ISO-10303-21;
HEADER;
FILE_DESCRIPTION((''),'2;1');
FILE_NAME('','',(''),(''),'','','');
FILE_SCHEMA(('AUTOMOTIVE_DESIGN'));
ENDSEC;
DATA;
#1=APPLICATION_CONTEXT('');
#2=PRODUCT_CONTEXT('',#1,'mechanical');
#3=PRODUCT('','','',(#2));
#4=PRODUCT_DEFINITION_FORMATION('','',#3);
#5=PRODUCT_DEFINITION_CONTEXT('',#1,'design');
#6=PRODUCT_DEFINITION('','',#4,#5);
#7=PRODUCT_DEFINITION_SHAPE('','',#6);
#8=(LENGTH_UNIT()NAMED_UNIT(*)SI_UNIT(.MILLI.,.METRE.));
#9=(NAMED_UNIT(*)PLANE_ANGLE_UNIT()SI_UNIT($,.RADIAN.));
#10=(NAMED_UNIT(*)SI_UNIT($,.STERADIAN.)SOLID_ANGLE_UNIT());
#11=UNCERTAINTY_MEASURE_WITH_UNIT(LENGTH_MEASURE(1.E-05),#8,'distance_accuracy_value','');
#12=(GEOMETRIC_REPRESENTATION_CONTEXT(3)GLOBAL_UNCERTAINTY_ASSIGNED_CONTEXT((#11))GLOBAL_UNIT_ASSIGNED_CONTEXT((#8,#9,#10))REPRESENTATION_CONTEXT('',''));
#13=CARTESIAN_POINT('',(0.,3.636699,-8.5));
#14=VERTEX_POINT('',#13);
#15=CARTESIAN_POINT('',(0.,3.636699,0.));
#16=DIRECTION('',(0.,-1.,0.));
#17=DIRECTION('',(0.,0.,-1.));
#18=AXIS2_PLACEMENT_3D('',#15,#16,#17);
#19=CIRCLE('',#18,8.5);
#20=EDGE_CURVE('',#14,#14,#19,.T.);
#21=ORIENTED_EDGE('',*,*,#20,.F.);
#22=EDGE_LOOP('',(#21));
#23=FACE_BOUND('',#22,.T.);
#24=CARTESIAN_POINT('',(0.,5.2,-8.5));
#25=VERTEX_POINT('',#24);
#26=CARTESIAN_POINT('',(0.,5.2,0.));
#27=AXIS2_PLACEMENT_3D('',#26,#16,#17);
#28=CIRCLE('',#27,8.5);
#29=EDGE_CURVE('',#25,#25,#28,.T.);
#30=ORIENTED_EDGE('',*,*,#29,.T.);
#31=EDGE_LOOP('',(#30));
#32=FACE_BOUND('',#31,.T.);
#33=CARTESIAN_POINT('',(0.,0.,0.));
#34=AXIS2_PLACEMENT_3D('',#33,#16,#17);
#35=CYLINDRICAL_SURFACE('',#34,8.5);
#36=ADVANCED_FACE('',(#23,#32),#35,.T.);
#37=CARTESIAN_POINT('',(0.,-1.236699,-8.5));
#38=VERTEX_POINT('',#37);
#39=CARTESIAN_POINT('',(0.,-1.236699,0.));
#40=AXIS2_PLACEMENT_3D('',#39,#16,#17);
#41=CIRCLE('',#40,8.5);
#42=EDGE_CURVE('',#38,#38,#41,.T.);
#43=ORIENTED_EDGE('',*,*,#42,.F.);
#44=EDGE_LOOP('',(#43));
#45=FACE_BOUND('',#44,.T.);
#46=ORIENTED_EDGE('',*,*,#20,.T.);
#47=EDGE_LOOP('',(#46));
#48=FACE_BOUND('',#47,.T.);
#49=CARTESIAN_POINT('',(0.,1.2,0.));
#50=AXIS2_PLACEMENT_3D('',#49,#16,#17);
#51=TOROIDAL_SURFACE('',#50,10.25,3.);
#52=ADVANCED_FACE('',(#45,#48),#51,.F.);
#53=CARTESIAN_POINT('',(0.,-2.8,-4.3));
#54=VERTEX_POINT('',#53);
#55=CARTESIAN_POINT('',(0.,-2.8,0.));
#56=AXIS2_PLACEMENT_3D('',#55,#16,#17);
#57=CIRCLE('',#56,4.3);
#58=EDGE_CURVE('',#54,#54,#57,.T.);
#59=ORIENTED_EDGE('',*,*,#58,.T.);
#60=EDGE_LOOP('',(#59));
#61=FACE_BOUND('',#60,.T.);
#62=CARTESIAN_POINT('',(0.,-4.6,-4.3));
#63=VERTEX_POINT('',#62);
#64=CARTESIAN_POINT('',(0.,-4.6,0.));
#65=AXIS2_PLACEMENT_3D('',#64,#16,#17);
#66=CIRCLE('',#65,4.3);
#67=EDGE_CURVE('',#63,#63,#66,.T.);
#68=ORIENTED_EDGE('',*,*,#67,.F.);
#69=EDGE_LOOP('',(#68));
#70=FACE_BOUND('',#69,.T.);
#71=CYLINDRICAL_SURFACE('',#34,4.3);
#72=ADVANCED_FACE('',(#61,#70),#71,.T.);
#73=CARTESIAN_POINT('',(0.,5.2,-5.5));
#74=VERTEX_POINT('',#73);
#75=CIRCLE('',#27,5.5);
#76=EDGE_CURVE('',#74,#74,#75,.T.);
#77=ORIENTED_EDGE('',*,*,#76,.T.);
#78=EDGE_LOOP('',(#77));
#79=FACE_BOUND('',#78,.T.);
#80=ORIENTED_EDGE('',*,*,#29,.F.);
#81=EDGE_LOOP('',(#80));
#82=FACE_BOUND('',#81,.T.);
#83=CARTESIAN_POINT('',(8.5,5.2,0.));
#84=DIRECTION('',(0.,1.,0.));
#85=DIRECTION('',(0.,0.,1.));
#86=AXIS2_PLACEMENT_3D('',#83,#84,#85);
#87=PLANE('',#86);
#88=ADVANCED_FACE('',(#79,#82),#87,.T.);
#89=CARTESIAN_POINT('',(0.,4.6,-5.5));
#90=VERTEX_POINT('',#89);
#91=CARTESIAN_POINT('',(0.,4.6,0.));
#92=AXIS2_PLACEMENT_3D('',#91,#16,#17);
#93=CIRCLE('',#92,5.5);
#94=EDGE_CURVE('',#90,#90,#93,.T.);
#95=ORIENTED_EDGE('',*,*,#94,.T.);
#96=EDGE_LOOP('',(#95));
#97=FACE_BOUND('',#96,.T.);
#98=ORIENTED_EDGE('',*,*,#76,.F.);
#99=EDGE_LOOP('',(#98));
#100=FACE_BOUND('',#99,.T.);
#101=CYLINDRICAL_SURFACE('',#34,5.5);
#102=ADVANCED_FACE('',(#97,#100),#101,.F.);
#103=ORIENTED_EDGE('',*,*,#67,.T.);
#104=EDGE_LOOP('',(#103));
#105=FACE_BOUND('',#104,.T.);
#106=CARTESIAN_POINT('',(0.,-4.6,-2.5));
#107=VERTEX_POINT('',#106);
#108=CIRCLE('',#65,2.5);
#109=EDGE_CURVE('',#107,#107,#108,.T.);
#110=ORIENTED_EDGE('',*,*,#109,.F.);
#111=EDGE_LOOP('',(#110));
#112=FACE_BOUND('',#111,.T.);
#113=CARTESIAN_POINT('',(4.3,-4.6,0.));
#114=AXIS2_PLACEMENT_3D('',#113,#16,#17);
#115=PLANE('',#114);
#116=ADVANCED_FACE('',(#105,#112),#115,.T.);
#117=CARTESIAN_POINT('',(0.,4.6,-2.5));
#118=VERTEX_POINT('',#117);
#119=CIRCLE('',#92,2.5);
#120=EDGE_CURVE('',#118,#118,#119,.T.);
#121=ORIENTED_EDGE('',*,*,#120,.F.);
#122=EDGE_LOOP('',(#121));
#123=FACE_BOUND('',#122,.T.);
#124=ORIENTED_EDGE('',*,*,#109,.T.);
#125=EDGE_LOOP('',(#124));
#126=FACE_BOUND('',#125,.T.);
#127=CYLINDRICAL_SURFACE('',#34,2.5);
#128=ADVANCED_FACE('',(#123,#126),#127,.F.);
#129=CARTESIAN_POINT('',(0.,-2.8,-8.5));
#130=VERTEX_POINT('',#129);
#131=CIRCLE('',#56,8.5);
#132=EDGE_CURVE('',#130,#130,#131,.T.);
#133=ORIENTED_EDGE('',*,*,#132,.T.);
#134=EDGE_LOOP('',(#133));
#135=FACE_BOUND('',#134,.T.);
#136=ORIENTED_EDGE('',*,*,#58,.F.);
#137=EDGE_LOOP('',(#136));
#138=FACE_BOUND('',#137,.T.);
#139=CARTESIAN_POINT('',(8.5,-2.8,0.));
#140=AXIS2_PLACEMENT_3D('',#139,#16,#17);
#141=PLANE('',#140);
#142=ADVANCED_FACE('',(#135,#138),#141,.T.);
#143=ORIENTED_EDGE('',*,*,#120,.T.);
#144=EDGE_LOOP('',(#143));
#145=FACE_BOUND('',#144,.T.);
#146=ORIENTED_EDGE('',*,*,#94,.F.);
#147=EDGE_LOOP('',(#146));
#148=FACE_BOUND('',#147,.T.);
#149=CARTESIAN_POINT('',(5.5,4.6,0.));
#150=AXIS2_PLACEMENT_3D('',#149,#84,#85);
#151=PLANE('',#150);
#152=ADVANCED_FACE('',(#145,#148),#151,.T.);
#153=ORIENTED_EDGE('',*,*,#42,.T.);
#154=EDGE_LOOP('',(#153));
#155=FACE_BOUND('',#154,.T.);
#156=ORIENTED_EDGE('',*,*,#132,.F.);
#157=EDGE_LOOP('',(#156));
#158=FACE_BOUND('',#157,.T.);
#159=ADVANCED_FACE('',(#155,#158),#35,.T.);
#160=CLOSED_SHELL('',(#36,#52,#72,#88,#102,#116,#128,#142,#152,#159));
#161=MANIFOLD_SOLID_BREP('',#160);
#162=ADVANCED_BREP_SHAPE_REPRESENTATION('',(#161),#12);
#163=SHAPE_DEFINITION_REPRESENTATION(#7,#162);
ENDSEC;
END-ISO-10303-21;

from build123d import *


with BuildPart() as part:
    # Эскиз1 → Повернуть1 (revolve)
    with BuildSketch(Plane.XY, mode=Mode.PRIVATE) as revolve_1_sk:
        with BuildLine():
            Line((2.5, -4.6), (2.5, 4.6))
            Line((2.5, 4.6), (5.5, 4.6))
            Line((5.5, 4.6), (5.5, 5.2))
            Line((5.5, 5.2), (8.5, 5.2))
            Line((8.5, 5.2), (8.5, 3.636698586))
            ThreePointArc((8.5, 3.636698586), (7.25, 1.2), (8.5, -1.236698586))
            Line((8.5, -1.236698586), (8.5, -2.8))
            Line((8.5, -2.8), (4.3, -2.8))
            Line((4.3, -2.8), (4.3, -4.6))
            Line((4.3, -4.6), (2.5, -4.6))
        make_face()
    revolve(revolve_1_sk.sketch.rotate(Axis((0, 0, 0), (0, 1, 0)), 90), axis=Axis((0, 0, 0), (0, 1, 0)))


solid = part.part
